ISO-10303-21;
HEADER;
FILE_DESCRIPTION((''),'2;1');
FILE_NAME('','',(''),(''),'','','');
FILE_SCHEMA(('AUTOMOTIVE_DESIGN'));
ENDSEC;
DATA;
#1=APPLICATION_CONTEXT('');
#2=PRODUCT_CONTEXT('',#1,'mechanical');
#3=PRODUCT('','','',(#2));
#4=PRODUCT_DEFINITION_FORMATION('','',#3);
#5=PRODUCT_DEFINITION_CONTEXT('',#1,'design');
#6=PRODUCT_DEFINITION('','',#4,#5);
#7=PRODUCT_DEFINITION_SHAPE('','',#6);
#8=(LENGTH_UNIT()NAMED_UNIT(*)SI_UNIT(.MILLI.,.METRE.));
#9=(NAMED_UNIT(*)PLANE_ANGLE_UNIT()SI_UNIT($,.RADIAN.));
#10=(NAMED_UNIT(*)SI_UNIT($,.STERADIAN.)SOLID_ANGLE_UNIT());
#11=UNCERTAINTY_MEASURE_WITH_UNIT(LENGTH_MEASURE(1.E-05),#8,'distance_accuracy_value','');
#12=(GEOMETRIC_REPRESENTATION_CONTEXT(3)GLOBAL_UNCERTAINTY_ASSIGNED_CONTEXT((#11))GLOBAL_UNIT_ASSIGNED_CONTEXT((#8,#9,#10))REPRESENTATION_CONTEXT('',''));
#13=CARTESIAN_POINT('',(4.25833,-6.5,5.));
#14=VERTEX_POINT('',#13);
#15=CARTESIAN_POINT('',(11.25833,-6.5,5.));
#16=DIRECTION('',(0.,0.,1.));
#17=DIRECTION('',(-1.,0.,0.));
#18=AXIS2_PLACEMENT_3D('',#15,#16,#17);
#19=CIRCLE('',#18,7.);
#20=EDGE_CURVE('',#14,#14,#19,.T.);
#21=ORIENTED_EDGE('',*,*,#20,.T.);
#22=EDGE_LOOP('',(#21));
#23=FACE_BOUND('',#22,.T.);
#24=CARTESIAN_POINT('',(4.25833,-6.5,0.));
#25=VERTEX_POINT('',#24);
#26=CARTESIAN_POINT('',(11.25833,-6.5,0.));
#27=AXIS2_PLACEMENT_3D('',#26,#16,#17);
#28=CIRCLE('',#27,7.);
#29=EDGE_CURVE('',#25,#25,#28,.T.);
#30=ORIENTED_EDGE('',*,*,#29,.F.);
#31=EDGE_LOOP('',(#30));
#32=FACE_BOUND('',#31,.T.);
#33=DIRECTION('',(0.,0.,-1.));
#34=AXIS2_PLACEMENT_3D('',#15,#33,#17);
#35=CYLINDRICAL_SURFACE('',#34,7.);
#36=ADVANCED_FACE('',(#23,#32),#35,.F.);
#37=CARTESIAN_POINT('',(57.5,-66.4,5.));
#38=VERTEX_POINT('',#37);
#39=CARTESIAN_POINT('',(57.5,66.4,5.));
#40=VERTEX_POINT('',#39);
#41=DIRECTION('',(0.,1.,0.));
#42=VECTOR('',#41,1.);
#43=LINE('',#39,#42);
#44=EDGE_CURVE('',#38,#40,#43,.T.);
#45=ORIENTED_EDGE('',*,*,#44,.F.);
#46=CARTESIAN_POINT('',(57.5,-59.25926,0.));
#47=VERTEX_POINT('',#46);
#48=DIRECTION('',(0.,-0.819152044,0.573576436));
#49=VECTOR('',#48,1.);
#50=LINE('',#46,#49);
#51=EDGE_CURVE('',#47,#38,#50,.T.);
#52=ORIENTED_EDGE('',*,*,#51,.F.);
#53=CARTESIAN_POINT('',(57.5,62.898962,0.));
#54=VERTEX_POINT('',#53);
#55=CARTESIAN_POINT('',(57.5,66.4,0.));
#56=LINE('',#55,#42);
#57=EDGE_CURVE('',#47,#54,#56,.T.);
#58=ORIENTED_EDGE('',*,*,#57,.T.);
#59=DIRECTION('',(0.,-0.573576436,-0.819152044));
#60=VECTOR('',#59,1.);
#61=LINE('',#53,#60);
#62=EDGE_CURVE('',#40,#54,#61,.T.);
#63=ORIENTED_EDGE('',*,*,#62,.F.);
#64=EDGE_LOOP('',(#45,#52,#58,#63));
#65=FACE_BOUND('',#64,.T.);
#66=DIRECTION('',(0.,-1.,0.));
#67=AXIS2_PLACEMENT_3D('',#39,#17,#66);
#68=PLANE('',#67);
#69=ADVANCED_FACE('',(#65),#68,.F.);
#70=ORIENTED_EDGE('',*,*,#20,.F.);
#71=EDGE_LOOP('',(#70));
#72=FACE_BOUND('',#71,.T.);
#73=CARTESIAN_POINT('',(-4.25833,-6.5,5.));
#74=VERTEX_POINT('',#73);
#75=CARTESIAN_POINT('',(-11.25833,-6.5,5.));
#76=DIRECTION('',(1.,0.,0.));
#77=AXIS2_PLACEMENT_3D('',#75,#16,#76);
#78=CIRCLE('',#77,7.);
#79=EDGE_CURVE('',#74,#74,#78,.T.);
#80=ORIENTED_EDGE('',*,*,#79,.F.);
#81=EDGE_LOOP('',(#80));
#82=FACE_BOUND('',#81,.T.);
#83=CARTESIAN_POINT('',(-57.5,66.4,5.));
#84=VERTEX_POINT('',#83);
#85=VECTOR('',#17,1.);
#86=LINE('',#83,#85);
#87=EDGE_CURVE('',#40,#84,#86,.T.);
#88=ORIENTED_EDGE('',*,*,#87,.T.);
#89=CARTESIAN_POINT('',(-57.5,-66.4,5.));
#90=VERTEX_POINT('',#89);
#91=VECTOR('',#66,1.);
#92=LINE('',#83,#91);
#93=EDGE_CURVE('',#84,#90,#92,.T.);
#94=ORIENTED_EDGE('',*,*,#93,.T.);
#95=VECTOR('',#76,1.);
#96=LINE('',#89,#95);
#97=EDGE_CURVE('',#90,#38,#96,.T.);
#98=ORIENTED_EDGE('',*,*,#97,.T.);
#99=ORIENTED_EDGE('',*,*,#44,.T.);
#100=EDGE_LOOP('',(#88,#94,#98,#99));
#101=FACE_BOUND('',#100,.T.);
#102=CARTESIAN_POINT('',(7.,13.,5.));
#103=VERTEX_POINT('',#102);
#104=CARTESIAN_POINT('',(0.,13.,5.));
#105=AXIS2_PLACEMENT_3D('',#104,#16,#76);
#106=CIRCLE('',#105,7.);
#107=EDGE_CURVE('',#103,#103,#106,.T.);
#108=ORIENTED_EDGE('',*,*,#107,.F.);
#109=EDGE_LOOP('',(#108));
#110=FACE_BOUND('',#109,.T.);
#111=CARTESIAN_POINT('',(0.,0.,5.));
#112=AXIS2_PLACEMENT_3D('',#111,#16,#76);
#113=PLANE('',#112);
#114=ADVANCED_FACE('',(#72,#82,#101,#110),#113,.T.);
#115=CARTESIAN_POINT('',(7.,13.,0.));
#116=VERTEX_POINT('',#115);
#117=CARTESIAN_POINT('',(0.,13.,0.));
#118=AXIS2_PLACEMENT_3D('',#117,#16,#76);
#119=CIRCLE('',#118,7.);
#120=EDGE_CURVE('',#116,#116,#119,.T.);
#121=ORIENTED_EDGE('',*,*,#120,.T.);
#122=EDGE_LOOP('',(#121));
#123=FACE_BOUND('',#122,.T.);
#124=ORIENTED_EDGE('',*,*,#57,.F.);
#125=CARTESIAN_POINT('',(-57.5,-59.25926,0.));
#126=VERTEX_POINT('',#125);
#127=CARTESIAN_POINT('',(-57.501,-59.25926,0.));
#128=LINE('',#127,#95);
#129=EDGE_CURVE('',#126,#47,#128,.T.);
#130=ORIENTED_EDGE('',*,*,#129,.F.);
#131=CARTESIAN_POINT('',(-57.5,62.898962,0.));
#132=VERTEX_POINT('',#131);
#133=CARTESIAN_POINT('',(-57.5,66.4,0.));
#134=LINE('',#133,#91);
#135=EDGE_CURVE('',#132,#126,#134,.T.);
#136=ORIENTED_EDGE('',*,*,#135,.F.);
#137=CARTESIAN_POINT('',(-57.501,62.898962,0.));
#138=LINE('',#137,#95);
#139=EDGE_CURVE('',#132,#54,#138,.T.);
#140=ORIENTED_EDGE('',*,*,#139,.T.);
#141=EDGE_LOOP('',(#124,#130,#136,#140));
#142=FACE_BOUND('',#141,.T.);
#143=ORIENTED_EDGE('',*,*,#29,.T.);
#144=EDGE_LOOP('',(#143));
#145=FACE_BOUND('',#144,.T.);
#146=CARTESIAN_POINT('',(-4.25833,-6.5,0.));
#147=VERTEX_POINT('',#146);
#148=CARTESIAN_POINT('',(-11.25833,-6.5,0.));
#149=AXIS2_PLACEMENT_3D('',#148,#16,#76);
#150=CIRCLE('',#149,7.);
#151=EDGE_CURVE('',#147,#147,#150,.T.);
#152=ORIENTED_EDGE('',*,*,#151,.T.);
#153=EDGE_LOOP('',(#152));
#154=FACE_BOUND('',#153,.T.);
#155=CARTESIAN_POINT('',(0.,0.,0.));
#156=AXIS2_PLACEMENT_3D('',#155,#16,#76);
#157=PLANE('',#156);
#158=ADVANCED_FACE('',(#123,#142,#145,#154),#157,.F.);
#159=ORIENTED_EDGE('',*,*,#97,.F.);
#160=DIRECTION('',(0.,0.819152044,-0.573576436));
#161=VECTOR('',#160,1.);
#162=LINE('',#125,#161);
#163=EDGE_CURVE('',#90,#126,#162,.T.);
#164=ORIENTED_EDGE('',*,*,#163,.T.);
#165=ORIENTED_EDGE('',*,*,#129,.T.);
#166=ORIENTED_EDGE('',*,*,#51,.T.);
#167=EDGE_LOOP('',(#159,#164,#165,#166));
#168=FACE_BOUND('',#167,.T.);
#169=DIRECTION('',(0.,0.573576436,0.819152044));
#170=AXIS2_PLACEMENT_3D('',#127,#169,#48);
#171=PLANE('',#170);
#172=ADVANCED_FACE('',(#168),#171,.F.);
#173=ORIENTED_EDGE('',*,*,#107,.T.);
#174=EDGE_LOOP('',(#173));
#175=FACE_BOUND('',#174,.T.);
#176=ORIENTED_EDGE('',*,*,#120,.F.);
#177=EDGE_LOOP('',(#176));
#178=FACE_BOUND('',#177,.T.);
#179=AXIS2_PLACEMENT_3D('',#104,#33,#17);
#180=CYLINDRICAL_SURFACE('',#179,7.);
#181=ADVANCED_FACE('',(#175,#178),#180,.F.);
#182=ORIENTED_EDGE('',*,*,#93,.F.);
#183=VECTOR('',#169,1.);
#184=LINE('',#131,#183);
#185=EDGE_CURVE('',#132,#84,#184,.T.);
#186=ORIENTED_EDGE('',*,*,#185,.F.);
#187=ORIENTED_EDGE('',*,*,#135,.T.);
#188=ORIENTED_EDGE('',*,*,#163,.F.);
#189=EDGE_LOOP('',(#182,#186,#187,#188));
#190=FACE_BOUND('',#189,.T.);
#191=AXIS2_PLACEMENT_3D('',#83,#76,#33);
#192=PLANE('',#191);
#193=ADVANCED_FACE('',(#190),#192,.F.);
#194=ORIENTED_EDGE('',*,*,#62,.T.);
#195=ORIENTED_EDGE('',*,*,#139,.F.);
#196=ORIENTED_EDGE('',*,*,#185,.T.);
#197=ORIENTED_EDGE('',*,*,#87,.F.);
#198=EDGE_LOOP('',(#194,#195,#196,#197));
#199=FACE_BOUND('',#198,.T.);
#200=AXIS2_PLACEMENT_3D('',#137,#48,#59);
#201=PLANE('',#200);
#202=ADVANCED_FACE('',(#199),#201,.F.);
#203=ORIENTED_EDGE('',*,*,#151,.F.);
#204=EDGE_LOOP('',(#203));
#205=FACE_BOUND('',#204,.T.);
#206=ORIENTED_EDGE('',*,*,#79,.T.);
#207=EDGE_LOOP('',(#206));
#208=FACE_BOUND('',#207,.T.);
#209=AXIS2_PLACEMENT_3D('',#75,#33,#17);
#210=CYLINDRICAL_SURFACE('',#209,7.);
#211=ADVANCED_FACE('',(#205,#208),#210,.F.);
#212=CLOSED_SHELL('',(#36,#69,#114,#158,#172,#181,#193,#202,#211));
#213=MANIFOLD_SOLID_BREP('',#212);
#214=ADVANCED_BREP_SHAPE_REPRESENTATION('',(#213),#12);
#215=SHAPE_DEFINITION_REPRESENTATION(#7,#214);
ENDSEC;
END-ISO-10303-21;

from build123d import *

# Parameters (mm, degrees)
SKETCH1_W           = 115
SKETCH1_H           = 132.8
SKETCH1_R           = 7
BOSS_EXTRUDE1_DEPTH = 5
CUT_EXTRUDE1_REACH  = 117
CUT_EXTRUDE2_REACH  = 117


with BuildPart() as part:
    # Sketch1 → Boss-Extrude1 (new body)
    with BuildSketch(Plane.XY):
        Rectangle(SKETCH1_W, SKETCH1_H)
        with Locations((0, 13)):
            Circle(SKETCH1_R, mode=Mode.SUBTRACT)
        with Locations((-11.258330249, -6.5)):
            Circle(SKETCH1_R, mode=Mode.SUBTRACT)
        with Locations((11.258330249, -6.5)):
            Circle(SKETCH1_R, mode=Mode.SUBTRACT)
    extrude(amount=BOSS_EXTRUDE1_DEPTH)

    # Sketch2 → Cut-Extrude1 (cut, up to next)
    with BuildSketch(Plane(origin=(57.5, 0, 0), x_dir=(0, 0, -1), z_dir=(1, 0, 0)), mode=Mode.PRIVATE) as cut_extrude1_sk1:
        Polygon((-5, -66.4), (0, -66.4), (0, -59.259259966), align=None)
    cut_extrude1_tool1 = extrude(cut_extrude1_sk1.sketch, amount=-CUT_EXTRUDE1_REACH, mode=Mode.PRIVATE) & part.part
    add(cut_extrude1_tool1.solids().sort_by_distance((57.5, -64.019753, 1.666667))[0], mode=Mode.SUBTRACT)

    # Sketch3 → Cut-Extrude2 (cut, up to next)
    with BuildSketch(Plane(origin=(57.5, 0, 0), x_dir=(0, 0, -1), z_dir=(1, 0, 0)), mode=Mode.PRIVATE) as cut_extrude2_sk1:
        Polygon((-5, 66.4), (0, 66.4), (0, 62.898962309), align=None)
    cut_extrude2_tool1 = extrude(cut_extrude2_sk1.sketch, amount=-CUT_EXTRUDE2_REACH, mode=Mode.PRIVATE) & part.part
    add(cut_extrude2_tool1.solids().sort_by_distance((57.5, 65.232987, 1.666667))[0], mode=Mode.SUBTRACT)


solid = part.part
